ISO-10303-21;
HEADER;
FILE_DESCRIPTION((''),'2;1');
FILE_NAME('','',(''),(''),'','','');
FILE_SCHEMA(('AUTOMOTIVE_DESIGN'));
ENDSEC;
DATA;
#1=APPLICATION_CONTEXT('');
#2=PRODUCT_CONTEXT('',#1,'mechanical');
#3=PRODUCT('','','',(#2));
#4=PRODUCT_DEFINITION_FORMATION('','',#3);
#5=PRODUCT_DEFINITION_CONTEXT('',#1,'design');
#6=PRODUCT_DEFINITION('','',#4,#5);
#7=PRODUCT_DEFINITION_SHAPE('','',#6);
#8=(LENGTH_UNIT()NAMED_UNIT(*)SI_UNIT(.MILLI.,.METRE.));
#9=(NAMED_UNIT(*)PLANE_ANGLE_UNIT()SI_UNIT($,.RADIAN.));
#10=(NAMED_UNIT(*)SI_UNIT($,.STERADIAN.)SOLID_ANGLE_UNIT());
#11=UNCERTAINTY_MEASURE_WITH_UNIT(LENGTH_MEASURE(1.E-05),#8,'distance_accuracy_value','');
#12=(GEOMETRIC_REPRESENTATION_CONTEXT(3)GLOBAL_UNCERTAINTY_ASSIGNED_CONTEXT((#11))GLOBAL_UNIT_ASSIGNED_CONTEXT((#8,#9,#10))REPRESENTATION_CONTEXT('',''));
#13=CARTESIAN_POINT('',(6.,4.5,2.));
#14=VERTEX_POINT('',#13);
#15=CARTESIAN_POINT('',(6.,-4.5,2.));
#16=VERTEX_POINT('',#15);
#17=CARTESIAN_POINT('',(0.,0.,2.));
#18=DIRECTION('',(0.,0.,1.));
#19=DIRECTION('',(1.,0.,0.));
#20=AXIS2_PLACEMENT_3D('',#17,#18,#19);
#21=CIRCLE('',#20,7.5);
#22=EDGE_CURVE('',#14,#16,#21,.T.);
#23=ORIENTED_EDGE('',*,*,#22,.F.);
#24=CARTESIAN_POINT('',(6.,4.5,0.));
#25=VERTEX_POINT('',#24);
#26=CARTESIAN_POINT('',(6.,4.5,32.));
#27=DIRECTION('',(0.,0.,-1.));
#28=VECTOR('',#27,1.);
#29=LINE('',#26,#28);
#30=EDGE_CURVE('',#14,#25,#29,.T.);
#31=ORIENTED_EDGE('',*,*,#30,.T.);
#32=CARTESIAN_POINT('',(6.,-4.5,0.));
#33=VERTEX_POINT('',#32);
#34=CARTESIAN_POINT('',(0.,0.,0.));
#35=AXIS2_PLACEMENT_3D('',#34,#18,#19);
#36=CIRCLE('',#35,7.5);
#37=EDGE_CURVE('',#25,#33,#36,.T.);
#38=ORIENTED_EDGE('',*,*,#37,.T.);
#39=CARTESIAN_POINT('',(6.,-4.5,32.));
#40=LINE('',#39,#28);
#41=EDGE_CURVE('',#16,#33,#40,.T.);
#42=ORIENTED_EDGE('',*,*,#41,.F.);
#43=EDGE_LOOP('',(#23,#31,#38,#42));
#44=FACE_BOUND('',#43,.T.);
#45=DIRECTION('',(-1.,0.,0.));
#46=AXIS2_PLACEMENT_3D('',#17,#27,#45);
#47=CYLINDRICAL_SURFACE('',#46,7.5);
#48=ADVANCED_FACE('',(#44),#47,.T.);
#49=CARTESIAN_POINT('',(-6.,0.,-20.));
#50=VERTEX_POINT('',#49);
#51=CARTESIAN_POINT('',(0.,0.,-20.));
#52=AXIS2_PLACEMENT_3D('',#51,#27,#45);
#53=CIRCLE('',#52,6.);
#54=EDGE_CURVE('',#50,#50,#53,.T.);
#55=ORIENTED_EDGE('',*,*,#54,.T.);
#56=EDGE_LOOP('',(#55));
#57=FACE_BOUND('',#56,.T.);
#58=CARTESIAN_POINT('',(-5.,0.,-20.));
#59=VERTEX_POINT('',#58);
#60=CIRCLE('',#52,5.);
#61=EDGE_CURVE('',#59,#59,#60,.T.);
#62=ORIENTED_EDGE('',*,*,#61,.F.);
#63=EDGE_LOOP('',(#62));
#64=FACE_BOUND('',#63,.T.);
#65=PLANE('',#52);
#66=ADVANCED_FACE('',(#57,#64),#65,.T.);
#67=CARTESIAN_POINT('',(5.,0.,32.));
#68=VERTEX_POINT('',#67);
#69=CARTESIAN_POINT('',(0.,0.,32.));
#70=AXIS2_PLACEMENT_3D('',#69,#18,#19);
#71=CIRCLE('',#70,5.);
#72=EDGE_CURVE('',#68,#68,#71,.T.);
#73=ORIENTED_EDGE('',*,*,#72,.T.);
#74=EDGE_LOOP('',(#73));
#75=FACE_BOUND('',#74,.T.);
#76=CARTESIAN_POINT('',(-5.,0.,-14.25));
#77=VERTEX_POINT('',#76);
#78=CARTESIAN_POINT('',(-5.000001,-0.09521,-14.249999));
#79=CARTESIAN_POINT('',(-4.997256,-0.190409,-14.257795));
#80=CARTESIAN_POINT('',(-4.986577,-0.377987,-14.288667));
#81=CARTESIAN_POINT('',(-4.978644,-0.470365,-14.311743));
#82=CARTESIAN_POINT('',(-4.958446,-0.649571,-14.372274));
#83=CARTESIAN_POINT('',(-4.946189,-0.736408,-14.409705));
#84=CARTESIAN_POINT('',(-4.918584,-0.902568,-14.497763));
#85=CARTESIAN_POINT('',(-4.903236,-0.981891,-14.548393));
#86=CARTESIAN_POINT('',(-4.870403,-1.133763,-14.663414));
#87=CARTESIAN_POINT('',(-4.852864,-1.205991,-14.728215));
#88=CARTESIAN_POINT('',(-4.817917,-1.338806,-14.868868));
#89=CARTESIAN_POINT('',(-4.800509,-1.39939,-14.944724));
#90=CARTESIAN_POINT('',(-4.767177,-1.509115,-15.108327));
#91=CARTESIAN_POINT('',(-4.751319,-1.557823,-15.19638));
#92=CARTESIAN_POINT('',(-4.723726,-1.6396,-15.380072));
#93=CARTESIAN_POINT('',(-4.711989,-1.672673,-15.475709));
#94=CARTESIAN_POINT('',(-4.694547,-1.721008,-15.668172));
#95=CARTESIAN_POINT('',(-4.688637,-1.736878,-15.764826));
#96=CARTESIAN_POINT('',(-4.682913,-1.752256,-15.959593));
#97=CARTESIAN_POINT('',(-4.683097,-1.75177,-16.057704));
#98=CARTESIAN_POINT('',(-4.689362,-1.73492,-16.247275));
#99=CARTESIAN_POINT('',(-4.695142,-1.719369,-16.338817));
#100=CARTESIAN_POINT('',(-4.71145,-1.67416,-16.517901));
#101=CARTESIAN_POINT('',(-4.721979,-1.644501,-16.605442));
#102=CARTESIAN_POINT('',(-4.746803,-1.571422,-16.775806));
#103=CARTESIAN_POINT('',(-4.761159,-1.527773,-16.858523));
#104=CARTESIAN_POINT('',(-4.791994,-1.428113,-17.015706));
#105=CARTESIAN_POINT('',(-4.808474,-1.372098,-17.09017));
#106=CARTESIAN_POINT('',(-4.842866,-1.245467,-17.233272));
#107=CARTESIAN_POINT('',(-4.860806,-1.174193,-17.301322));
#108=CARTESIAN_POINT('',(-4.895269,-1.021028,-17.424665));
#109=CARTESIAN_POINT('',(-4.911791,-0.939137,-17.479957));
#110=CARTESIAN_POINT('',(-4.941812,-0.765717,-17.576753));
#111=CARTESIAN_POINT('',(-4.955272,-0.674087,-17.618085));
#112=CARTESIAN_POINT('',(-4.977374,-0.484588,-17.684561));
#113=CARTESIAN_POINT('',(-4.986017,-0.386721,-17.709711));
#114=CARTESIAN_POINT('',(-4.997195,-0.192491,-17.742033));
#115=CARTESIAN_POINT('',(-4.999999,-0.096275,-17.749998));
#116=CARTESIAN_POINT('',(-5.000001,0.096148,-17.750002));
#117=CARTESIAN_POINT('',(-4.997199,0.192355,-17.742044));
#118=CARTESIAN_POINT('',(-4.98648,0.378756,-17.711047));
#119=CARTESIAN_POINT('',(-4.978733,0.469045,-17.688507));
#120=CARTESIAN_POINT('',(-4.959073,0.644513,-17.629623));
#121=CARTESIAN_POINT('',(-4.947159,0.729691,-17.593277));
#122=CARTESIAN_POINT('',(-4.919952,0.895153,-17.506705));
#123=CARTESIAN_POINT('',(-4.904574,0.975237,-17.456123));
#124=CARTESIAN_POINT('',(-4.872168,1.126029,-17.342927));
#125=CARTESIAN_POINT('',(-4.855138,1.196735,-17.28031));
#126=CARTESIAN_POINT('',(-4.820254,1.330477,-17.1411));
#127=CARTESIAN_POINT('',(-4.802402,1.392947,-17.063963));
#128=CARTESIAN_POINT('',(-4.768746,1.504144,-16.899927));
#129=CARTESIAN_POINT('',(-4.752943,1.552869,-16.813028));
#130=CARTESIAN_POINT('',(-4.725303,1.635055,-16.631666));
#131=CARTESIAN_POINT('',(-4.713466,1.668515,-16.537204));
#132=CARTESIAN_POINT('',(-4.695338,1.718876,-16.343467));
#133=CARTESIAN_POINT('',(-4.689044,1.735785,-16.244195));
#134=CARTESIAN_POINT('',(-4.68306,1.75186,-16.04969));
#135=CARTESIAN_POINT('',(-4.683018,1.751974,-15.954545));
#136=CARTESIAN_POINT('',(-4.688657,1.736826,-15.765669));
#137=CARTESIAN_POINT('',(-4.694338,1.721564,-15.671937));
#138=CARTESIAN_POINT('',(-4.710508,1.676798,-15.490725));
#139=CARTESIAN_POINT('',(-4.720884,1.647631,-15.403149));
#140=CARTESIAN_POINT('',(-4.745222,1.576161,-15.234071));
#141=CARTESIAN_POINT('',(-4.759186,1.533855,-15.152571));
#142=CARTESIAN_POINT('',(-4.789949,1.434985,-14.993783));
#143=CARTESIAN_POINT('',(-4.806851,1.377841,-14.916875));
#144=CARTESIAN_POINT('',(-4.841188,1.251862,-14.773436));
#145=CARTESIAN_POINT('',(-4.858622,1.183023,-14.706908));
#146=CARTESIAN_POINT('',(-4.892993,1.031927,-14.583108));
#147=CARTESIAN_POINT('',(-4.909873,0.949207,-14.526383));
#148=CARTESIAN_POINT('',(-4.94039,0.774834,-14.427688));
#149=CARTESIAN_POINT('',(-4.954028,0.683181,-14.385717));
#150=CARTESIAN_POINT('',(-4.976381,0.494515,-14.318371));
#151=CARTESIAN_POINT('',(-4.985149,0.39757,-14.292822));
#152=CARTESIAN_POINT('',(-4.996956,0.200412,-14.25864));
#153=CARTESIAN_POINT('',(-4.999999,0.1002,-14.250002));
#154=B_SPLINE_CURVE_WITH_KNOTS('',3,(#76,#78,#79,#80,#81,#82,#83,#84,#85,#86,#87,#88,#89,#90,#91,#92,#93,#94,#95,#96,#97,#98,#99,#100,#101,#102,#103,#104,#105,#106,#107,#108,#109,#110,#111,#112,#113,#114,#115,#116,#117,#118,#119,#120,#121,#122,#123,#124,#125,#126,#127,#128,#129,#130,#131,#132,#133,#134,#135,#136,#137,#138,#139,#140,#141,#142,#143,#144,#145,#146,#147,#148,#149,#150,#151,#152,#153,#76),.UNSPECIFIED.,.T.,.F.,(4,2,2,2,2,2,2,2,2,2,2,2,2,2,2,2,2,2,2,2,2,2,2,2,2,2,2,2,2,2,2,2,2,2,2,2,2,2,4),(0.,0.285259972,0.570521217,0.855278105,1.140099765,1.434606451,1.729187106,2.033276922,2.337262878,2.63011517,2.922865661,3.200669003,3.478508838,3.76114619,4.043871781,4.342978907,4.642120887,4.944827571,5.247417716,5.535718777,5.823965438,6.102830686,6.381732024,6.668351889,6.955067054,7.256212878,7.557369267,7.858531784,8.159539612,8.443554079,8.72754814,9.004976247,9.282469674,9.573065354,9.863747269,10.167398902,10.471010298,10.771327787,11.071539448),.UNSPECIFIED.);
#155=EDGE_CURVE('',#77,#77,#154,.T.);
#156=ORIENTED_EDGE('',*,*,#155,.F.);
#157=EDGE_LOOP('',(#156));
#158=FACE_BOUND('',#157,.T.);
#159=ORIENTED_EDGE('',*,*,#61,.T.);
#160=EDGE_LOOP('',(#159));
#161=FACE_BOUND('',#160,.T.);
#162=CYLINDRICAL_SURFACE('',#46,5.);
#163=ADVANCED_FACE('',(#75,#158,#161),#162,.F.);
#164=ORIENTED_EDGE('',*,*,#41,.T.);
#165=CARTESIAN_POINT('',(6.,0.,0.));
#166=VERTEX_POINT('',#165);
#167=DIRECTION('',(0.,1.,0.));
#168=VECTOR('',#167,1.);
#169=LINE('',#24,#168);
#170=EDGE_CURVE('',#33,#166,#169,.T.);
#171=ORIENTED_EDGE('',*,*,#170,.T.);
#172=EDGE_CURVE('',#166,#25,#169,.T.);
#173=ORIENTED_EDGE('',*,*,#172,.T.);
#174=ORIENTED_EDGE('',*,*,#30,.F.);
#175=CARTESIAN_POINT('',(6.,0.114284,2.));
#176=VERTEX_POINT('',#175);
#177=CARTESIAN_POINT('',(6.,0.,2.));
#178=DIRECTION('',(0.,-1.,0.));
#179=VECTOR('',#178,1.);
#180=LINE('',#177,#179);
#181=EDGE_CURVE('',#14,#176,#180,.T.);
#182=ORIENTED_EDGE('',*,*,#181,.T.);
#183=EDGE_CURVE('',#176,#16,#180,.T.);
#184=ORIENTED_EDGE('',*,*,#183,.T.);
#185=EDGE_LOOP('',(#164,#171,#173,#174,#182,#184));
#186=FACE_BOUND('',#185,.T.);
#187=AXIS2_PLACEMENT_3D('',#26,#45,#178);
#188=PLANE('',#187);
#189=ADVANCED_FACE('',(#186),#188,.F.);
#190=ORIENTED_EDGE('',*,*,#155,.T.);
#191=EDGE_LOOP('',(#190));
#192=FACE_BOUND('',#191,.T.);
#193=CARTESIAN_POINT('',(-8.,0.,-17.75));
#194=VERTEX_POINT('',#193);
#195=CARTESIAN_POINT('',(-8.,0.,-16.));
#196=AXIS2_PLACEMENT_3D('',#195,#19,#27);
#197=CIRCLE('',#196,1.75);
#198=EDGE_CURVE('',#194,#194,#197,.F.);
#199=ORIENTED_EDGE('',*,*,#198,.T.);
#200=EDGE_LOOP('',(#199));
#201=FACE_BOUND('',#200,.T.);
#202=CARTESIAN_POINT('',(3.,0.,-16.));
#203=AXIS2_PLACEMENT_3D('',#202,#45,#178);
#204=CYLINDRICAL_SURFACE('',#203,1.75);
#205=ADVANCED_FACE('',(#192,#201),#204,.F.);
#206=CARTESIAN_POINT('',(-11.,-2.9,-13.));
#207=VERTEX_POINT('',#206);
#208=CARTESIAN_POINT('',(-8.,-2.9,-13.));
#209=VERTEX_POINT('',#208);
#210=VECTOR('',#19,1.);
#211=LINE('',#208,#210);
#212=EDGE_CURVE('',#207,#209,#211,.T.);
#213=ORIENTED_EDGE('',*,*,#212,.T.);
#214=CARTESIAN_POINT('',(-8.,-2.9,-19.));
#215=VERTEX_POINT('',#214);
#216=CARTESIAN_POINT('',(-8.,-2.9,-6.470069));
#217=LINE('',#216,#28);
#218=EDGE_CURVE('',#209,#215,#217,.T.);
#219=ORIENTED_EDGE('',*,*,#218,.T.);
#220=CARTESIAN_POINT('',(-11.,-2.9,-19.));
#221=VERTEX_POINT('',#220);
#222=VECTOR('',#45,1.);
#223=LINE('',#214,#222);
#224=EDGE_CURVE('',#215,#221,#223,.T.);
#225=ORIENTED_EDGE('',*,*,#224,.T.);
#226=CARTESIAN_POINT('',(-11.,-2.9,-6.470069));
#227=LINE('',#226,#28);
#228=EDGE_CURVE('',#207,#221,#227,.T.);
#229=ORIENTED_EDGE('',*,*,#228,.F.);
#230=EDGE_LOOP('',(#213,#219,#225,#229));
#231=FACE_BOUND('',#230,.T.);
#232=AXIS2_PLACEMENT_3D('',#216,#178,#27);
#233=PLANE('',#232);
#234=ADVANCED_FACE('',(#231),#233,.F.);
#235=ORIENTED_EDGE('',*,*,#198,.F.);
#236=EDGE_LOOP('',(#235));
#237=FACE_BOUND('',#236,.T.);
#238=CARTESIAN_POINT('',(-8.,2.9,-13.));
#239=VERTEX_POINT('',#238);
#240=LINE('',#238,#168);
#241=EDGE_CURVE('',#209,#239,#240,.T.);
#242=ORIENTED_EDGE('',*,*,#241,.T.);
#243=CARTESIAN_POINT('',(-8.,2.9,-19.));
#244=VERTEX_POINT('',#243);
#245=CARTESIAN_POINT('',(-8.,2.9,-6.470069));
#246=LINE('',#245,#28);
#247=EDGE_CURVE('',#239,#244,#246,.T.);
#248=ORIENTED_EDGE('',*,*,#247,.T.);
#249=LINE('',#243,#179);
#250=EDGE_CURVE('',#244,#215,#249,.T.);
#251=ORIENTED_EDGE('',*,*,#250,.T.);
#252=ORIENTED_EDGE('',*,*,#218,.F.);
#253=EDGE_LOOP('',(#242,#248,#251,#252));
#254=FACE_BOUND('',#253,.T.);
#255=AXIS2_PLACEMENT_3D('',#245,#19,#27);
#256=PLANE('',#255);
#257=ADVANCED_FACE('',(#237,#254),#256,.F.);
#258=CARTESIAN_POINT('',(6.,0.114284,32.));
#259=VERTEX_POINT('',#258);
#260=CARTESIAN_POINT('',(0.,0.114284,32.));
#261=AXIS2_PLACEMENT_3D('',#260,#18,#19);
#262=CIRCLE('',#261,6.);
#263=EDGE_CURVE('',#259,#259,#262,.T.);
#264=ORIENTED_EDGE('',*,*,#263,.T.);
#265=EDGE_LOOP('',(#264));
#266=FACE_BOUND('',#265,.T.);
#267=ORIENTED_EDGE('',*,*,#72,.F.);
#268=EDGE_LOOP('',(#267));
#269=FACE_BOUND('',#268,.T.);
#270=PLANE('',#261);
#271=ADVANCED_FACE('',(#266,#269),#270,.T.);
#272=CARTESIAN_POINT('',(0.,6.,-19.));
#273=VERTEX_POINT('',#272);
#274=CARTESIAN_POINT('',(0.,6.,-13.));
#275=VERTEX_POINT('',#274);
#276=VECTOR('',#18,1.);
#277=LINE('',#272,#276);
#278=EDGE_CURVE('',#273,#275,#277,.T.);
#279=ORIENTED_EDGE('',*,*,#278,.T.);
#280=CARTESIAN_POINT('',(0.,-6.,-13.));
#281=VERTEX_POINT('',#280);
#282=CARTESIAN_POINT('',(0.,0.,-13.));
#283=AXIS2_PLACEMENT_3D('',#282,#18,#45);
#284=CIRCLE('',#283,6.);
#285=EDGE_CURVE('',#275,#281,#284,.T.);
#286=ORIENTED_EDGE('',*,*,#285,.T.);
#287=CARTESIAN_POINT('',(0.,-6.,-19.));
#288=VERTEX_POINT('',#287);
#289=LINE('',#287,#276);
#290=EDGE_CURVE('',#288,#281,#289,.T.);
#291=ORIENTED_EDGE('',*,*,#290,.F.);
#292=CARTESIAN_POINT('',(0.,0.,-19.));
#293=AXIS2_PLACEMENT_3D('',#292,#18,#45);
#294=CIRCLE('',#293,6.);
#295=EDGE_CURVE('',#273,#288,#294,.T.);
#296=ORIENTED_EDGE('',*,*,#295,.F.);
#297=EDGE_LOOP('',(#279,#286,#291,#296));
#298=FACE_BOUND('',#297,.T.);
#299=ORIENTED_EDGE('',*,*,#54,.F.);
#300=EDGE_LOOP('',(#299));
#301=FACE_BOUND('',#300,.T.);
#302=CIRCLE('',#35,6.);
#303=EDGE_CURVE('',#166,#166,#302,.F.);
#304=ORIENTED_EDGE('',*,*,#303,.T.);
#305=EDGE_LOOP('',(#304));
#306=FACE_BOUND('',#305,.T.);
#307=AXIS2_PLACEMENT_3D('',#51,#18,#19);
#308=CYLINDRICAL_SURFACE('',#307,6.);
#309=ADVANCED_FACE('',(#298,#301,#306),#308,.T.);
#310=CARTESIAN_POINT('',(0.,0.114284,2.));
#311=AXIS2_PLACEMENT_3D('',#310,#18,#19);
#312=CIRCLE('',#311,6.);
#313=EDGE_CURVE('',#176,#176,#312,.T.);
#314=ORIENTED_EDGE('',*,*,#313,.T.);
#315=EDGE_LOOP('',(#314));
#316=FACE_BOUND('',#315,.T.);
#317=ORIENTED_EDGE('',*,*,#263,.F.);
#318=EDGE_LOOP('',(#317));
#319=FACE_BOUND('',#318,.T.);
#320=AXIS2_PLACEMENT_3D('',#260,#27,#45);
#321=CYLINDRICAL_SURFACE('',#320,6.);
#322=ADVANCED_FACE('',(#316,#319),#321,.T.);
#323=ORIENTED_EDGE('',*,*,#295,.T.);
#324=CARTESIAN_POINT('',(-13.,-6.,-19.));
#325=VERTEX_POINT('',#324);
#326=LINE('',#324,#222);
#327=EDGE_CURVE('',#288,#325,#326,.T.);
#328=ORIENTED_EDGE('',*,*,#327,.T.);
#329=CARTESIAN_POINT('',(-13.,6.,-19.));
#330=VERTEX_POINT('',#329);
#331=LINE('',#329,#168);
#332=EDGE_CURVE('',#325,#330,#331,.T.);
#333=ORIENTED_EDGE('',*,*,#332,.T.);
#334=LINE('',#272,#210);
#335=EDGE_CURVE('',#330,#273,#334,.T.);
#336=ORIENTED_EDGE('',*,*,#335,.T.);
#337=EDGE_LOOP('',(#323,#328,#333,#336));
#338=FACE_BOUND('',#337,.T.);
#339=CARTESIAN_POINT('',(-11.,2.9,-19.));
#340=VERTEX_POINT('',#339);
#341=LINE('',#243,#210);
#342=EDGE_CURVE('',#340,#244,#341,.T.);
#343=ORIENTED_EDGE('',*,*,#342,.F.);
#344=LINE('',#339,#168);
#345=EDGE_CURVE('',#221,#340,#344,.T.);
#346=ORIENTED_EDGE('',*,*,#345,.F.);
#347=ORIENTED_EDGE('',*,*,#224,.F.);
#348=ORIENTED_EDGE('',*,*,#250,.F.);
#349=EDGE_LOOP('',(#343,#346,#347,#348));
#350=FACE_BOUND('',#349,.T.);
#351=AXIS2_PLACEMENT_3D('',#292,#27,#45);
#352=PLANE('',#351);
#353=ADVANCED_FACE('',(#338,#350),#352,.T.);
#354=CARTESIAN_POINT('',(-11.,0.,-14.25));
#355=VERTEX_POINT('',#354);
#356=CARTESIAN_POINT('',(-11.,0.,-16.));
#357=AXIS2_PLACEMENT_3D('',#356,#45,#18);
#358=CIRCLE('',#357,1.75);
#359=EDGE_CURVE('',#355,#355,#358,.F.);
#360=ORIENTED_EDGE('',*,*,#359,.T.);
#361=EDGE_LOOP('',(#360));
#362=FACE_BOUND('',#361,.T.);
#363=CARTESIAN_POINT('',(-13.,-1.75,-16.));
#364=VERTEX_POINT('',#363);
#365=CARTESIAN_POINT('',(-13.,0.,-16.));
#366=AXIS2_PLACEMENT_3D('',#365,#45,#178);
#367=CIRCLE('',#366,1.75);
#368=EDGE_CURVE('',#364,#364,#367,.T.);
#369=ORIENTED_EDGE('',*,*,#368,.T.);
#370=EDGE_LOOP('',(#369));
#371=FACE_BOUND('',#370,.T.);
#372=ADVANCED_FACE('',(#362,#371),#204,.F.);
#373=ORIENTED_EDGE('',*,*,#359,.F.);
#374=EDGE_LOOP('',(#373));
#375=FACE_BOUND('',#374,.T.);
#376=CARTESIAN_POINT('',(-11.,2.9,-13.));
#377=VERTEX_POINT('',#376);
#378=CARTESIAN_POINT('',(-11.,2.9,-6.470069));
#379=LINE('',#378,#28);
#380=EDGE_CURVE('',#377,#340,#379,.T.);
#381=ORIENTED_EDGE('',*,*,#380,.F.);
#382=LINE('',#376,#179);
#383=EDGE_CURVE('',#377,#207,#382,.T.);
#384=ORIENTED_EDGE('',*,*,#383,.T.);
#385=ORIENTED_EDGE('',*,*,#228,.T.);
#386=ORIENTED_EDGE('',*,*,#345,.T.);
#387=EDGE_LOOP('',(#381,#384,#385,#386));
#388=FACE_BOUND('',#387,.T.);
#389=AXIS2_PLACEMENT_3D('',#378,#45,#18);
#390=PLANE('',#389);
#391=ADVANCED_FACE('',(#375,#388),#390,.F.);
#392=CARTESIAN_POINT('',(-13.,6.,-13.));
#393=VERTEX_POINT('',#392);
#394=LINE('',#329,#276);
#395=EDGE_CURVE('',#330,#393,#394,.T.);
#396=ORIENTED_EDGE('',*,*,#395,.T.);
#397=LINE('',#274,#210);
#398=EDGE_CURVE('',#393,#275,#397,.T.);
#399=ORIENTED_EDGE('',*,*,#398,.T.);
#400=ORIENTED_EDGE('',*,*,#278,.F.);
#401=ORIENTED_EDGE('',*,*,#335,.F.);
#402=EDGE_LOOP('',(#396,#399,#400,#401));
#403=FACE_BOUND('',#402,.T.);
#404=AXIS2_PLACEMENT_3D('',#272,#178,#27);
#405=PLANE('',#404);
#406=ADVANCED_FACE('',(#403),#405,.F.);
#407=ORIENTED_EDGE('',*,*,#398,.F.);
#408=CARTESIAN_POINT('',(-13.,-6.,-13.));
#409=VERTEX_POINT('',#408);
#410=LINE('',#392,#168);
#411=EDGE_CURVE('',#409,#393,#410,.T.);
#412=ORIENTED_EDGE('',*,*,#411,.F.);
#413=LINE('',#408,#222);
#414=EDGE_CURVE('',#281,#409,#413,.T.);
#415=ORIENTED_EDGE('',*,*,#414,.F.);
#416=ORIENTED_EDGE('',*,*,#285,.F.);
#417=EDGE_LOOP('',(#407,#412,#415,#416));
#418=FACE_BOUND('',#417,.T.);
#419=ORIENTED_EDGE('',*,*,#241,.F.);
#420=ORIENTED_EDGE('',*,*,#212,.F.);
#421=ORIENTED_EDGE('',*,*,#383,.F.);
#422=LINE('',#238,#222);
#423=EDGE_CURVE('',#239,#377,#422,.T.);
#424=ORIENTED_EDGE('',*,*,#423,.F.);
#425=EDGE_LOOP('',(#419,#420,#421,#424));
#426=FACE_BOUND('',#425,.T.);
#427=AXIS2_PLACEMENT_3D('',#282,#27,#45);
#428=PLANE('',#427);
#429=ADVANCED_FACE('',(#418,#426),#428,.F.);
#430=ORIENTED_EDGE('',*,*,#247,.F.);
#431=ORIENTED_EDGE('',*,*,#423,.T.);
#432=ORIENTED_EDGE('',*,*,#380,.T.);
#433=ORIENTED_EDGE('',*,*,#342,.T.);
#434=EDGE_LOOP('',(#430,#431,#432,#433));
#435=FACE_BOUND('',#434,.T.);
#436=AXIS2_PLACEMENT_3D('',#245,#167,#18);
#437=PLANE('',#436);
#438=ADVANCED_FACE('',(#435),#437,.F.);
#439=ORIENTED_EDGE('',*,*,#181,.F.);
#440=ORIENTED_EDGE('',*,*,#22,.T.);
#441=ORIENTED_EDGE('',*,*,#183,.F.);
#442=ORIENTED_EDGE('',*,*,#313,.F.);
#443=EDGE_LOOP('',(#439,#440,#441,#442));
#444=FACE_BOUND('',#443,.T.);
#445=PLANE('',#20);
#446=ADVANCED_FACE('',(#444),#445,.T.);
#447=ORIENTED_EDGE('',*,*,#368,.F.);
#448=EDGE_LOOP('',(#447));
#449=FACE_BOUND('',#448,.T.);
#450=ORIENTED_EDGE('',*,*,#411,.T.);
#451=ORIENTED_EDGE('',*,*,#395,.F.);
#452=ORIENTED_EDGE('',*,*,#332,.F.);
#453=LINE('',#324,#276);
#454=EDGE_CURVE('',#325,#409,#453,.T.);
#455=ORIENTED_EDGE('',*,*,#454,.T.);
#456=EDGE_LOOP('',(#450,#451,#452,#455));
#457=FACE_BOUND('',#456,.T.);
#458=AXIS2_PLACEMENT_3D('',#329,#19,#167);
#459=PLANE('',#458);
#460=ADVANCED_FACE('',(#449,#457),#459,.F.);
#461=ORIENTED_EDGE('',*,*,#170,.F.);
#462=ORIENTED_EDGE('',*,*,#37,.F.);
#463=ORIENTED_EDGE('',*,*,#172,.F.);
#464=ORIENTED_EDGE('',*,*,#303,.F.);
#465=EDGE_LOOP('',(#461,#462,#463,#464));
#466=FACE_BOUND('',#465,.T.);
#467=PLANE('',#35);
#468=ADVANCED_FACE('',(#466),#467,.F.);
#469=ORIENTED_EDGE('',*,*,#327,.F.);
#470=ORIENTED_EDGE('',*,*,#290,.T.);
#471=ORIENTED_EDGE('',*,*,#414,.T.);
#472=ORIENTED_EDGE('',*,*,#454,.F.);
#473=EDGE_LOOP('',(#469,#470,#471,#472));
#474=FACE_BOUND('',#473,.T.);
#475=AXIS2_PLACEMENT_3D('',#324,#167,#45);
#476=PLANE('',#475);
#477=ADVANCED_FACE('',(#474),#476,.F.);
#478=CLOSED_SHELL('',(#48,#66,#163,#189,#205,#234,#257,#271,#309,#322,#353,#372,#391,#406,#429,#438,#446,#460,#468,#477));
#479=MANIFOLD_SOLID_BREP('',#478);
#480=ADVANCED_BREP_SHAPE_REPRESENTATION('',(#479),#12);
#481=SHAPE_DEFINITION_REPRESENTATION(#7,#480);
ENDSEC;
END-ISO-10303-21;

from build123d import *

# Parameters (mm, degrees)
ESQUISSE1_R             = 7.5
ESQUISSE1_R_2           = 5
BOSS_EXTRU_1_DEPTH      = 2
ESQUISSE2_R             = 6
ESQUISSE2_R_2           = 5
BOSS_EXTRU_2_DEPTH      = 30
ESQUISSE3_R             = 6
ESQUISSE3_R_2           = 5
BOSS_EXTRU_3_DEPTH      = 20
ENL_V_MAT_EXTRU_1_DEPTH = 33
BOSS_EXTRU_4_DEPTH      = 3
ESQUISSE8_R             = 1.75
ENL_V_MAT_EXTRU_3_DEPTH = 16
ESQUISSE9_W             = 3
ESQUISSE9_H             = 5.8
ENL_V_MAT_EXTRU_4_DEPTH = 6


with BuildPart() as part:
    # Esquisse1 → Boss.-Extru.1 (new body)
    with BuildSketch(Plane.XY):
        Circle(ESQUISSE1_R)
        Circle(ESQUISSE1_R_2, mode=Mode.SUBTRACT)
    extrude(amount=BOSS_EXTRU_1_DEPTH)

    # Esquisse2 → Boss.-Extru.2 (add)
    with BuildSketch(Plane.XY.offset(2)):
        with Locations((0, 0.114284202)):
            Circle(ESQUISSE2_R)
        Circle(ESQUISSE2_R_2, mode=Mode.SUBTRACT)
    extrude(amount=BOSS_EXTRU_2_DEPTH)

    # Esquisse3 → Boss.-Extru.3 (add)
    with BuildSketch(Plane(origin=(0, 0, 0), x_dir=(-1, 0, 0), z_dir=(0, 0, -1))):
        Circle(ESQUISSE3_R)
        Circle(ESQUISSE3_R_2, mode=Mode.SUBTRACT)
    extrude(amount=BOSS_EXTRU_3_DEPTH)

    # Esquisse4 → Enlèv. mat.-Extru.1 (cut, through all)
    with BuildSketch(Plane(origin=(0, 0, 0), x_dir=(-1, 0, 0), z_dir=(0, 0, -1))):
        with BuildLine():
            Line((-6, 4.5), (-6, -4.5))
            ThreePointArc((-6, -4.5), (-7.5, 0), (-6, 4.5))
        make_face()
    extrude(amount=-ENL_V_MAT_EXTRU_1_DEPTH, mode=Mode.SUBTRACT)

    # Esquisse7 → Boss.-Extru.4 (add, symmetric)
    with BuildSketch(Plane(origin=(0, 0, -16), x_dir=(-1, 0, 0), z_dir=(0, 0, -1))):
        with BuildLine():
            Line((0, 6), (13, 6))
            Line((13, 6), (13, -6))
            Line((13, -6), (0, -6))
            ThreePointArc((0, -6), (6, 0), (0, 6))
        make_face()
    extrude(amount=BOSS_EXTRU_4_DEPTH, both=True)

    # Esquisse8 → Enlèv. mat.-Extru.3 (cut)
    with BuildSketch(Plane.ZY.offset(13)):
        with Locations((-16, 0)):
            Circle(ESQUISSE8_R)
    extrude(amount=-ENL_V_MAT_EXTRU_3_DEPTH, mode=Mode.SUBTRACT)

    # Esquisse9 → Enlèv. mat.-Extru.4 (cut)
    with BuildSketch(Plane(origin=(0, 0, -19), x_dir=(-1, 0, 0), z_dir=(0, 0, -1))):
        with Locations((9.5, 0)):
            Rectangle(ESQUISSE9_W, ESQUISSE9_H)
    extrude(amount=-ENL_V_MAT_EXTRU_4_DEPTH, mode=Mode.SUBTRACT)


solid = part.part
